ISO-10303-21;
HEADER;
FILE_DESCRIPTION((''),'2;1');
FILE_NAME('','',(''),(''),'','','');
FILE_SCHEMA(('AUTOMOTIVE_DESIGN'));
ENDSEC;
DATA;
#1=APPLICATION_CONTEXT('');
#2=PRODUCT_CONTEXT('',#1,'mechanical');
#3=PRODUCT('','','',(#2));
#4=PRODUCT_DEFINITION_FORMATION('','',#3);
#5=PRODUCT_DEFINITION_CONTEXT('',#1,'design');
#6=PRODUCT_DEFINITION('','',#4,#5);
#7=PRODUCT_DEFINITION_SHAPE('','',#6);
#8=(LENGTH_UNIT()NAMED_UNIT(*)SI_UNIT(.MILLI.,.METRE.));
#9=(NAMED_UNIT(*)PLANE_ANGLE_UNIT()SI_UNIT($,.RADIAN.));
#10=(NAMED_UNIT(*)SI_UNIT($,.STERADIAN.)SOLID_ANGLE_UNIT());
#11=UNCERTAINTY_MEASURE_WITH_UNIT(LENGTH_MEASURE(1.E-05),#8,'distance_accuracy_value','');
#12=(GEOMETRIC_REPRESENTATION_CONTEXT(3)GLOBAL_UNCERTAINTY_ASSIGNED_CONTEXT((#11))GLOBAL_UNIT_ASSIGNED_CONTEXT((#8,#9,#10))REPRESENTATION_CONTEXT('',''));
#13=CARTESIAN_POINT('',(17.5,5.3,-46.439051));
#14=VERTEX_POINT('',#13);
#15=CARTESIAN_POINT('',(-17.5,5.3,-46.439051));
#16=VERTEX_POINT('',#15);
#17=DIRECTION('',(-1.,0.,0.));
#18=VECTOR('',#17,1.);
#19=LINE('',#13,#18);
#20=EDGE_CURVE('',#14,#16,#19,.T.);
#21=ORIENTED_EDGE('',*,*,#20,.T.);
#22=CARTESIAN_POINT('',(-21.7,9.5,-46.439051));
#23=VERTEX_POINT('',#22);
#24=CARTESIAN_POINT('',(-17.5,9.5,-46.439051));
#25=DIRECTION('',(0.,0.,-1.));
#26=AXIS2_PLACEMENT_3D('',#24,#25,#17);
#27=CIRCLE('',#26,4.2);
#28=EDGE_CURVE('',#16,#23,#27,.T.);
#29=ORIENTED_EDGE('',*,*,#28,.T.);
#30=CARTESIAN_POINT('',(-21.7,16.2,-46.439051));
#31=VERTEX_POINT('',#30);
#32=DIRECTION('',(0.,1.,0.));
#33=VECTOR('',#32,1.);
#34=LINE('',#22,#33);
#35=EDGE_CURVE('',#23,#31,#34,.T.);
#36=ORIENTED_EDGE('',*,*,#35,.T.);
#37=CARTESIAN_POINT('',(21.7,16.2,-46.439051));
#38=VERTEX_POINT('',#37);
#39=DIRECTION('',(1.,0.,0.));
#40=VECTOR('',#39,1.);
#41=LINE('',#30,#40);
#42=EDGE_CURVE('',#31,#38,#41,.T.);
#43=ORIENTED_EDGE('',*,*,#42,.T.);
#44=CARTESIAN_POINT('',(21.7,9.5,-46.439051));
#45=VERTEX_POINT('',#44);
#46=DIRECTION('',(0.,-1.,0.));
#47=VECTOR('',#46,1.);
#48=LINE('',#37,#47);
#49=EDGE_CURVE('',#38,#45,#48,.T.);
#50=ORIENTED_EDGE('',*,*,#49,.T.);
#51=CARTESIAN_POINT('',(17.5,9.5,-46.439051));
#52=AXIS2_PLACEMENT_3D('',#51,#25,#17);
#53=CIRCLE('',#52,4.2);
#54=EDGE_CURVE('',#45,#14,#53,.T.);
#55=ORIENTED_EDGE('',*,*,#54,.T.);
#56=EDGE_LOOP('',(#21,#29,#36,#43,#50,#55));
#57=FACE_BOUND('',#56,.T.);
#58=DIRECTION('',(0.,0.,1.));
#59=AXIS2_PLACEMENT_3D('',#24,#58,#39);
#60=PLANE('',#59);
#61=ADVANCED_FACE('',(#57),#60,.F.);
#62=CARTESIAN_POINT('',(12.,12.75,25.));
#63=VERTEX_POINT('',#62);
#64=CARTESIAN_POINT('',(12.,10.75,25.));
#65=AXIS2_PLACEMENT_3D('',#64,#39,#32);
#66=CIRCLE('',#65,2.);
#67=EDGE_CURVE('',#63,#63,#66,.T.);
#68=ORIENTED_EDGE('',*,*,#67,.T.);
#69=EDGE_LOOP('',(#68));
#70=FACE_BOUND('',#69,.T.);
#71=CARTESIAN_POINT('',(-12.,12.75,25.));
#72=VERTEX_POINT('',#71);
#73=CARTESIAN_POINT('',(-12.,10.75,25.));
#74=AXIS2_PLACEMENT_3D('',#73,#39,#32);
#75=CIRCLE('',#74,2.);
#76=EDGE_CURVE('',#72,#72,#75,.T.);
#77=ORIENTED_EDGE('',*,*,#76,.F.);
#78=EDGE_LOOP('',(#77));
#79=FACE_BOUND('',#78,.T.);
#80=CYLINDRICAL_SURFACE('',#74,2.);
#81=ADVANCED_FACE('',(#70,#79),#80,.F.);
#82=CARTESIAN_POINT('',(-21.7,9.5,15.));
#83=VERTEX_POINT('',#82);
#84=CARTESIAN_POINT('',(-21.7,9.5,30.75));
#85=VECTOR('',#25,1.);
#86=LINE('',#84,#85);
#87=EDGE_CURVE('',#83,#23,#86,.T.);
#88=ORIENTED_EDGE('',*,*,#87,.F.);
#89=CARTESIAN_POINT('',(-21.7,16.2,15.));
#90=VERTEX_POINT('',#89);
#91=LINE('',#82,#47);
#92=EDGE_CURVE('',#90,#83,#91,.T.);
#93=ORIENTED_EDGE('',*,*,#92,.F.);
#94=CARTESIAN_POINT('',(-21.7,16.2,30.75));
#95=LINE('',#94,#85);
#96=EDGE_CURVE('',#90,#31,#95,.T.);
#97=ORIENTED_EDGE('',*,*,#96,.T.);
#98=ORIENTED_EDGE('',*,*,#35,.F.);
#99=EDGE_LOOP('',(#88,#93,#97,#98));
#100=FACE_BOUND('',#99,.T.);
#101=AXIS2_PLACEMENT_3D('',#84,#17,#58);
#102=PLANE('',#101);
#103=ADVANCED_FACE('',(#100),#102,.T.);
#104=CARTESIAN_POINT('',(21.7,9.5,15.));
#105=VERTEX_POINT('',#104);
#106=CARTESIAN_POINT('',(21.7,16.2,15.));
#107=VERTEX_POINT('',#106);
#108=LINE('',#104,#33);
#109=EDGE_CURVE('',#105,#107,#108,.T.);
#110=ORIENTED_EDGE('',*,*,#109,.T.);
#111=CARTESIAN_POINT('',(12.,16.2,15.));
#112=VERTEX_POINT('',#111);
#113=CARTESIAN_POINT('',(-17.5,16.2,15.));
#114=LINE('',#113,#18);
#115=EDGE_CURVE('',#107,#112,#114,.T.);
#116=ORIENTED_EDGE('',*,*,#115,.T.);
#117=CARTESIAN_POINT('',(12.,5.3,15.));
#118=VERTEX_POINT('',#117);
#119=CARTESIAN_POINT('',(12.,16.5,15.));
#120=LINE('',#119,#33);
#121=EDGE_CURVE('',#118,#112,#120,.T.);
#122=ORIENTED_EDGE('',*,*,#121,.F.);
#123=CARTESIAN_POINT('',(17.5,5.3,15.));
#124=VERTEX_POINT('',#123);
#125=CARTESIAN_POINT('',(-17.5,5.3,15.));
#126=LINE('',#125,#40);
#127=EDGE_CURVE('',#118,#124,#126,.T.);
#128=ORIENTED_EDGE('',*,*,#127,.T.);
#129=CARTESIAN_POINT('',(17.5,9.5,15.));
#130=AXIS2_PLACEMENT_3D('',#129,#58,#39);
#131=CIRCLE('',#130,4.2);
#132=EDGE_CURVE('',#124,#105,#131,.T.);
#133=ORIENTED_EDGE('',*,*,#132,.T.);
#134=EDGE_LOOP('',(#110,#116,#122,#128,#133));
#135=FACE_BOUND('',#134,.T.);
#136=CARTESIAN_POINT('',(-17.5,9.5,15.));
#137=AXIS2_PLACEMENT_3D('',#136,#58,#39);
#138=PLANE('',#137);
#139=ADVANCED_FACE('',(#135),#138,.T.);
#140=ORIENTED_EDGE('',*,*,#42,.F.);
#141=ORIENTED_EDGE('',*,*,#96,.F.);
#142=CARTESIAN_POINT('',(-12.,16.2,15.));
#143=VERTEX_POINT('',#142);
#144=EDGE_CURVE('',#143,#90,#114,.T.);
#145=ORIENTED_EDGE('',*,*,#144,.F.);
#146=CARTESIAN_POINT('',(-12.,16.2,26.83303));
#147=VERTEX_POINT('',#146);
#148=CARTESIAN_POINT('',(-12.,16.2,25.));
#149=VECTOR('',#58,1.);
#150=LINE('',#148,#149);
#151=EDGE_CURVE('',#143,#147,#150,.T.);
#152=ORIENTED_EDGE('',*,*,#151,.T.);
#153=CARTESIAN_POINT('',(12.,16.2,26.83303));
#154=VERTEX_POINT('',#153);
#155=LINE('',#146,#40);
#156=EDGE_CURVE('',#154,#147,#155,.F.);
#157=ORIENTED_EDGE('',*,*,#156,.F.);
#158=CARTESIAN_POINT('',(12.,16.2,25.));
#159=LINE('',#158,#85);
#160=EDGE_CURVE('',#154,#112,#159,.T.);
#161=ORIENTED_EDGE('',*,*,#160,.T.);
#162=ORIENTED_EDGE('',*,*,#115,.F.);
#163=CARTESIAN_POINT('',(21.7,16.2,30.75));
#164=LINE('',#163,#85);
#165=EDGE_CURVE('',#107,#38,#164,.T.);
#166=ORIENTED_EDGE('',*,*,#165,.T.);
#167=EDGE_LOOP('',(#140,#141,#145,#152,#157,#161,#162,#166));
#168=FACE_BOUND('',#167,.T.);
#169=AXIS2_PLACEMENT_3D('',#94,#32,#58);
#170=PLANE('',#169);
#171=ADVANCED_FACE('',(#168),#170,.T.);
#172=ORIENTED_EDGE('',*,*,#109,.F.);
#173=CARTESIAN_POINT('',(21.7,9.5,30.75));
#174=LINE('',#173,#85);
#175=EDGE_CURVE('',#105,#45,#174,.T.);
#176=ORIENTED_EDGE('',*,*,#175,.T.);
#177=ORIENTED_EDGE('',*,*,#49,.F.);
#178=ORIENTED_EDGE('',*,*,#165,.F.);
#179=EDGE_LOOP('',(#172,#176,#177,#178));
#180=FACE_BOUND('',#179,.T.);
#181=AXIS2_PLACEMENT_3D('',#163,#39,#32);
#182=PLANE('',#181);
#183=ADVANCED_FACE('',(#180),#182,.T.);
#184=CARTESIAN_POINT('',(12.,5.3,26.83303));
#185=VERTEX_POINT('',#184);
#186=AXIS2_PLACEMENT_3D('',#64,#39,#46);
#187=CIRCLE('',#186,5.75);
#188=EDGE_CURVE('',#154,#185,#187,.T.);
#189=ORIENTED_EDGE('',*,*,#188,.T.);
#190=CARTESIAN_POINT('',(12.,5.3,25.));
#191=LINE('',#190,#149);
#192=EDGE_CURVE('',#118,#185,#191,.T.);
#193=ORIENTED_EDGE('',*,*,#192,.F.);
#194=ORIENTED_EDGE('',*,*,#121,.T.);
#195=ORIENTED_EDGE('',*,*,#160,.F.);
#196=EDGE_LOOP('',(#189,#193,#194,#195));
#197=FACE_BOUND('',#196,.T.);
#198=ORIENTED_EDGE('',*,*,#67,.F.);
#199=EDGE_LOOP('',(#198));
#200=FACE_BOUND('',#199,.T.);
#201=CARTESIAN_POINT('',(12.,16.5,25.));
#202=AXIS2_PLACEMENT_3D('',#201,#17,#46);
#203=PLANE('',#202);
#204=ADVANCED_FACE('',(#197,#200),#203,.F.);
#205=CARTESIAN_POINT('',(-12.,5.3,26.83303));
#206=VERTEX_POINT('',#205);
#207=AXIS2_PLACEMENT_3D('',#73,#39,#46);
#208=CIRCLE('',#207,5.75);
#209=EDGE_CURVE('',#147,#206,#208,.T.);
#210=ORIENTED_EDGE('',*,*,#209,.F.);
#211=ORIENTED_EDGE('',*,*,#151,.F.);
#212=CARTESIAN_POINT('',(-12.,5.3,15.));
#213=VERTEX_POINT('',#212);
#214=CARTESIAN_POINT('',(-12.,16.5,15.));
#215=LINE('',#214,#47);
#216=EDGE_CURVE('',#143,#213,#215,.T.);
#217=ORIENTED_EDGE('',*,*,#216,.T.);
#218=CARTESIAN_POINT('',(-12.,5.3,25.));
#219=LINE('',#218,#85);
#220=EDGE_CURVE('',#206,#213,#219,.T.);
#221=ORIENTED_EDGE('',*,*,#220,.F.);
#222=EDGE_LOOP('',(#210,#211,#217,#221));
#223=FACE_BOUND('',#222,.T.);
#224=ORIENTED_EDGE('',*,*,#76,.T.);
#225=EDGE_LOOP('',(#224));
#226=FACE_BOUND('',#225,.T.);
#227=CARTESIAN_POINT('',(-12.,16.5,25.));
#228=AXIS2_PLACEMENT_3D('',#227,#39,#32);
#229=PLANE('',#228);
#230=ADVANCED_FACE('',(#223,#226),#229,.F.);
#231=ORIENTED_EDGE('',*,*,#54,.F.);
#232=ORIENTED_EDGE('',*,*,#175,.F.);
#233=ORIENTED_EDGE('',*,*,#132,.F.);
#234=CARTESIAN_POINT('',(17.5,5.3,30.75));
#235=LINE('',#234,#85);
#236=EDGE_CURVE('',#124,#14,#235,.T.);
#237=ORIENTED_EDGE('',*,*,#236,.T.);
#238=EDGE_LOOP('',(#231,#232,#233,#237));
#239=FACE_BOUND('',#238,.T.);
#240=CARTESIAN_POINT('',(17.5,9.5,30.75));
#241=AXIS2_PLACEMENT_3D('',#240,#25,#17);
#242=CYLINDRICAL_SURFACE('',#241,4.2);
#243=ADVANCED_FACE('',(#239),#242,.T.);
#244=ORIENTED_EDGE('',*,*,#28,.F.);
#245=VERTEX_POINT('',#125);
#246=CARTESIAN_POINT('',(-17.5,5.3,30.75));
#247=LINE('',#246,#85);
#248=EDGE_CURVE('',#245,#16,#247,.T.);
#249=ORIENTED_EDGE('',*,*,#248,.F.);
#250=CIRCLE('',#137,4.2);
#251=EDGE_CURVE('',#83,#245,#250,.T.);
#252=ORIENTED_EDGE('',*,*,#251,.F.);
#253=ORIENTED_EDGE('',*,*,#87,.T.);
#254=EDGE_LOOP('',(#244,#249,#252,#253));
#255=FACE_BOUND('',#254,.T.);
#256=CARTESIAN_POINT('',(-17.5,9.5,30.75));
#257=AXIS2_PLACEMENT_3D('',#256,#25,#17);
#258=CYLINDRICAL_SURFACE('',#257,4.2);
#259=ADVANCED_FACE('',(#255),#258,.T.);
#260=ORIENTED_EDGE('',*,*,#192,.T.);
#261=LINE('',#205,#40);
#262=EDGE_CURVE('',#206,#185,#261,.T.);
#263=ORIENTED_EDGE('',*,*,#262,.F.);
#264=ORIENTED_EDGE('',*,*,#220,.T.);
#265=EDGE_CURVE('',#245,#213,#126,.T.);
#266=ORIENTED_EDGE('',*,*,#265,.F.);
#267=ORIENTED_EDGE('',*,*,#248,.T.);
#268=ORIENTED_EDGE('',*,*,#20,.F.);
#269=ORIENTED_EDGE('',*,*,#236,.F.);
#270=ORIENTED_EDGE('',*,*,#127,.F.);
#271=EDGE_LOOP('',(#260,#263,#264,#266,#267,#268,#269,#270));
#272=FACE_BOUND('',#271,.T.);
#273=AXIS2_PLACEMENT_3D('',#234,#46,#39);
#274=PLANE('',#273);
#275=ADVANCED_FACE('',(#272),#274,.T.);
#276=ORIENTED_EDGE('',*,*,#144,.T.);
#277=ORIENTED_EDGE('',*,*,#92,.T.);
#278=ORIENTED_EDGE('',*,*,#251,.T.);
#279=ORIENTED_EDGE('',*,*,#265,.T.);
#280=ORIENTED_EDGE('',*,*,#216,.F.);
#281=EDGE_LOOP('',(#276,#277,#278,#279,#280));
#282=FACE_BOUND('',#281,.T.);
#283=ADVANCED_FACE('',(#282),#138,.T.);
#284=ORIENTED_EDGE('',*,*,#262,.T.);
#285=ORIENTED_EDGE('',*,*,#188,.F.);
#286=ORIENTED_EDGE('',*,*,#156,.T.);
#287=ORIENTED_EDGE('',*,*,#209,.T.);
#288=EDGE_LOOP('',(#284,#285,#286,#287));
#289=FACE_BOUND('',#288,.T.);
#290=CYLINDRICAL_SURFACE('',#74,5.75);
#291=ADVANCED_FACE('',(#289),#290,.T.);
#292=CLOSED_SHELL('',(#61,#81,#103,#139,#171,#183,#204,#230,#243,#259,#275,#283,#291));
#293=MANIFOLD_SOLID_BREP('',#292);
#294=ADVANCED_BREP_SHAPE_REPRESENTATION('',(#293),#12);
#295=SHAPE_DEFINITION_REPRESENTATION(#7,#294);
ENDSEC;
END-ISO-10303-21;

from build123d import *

# Parameters (mm, degrees)
BOSS_EXTRUDE1_START = -46.439051
BOSS_EXTRUDE1_DEPTH = 61.439051
SKETCH2_W           = 24
SKETCH2_H           = 11.5
BOSS_EXTRUDE2_DEPTH = 10
BOSS_EXTRUDE3_START = -24
BOSS_EXTRUDE3_DEPTH = 24
SKETCH4_R           = 2
CUT_EXTRUDE1_DEPTH  = 24
CUT_EXTRUDE2_START  = -73.272081
CUT_EXTRUDE2_DEPTH  = 73.272081


with BuildPart() as part:
    # Sketch1 → Boss-Extrude1 (new body)
    with BuildSketch(Plane.XY.offset(BOSS_EXTRUDE1_START)):
        with BuildLine():
            Line((-17.5, 16.5), (-22, 16.5))
            Line((-22, 16.5), (-22, 9.5))
            ThreePointArc((-22, 9.5), (-20.681980515, 6.318019485), (-17.5, 5))
            Line((-17.5, 5), (17.5, 5))
            ThreePointArc((17.5, 5), (20.681980515, 6.318019485), (22, 9.5))
            Line((22, 9.5), (22, 16.5))
            Line((22, 16.5), (-17.5, 16.5))
        make_face()
    extrude(amount=BOSS_EXTRUDE1_DEPTH)

    # Sketch2 → Boss-Extrude2 (add)
    with BuildSketch(Plane.XY.offset(15)):
        with Locations((0, 10.75)):
            Rectangle(SKETCH2_W, SKETCH2_H)
    extrude(amount=BOSS_EXTRUDE2_DEPTH)

    # Sketch3 → Boss-Extrude3 (add)
    with BuildSketch(Plane(origin=(12, 0, 0), x_dir=(0, 0, -1), z_dir=(1, 0, 0)).offset(BOSS_EXTRUDE3_START)):
        with BuildLine():
            Line((-25, 5), (-25, 16.5))
            ThreePointArc((-25, 16.5), (-30.75, 10.75), (-25, 5))
        make_face()
    extrude(amount=BOSS_EXTRUDE3_DEPTH)

    # Sketch4 → Cut-Extrude1 (cut)
    with BuildSketch(Plane(origin=(12, 0, 0), x_dir=(0, 0, -1), z_dir=(1, 0, 0))):
        with Locations(Location((-25, 10.75, 0), (0, 0, 90))):
            Circle(SKETCH4_R)
    extrude(amount=-CUT_EXTRUDE1_DEPTH, mode=Mode.SUBTRACT)

    # Sketch5 → Cut-Extrude2 (cut)
    with BuildSketch(Plane(origin=(0, 0, -46.439050788), x_dir=(-1, 0, 0), z_dir=(0, 0, -1)).offset(CUT_EXTRUDE2_START)):
        with BuildLine():
            Line((22, 16.5), (-22, 16.5))
            Line((-22, 16.5), (-22, 9.5))
            ThreePointArc((-22, 9.5), (-20.681980515, 6.318019485), (-17.5, 5))
            Line((-17.5, 5), (17.5, 5))
            ThreePointArc((17.5, 5), (20.681980515, 6.318019485), (22, 9.5))
            Line((22, 9.5), (22, 16.5))
        make_face()
        with BuildLine():
            Line((21.7, 16.2), (-21.7, 16.2))
            Line((-21.7, 16.2), (-21.7, 9.5))
            ThreePointArc((-21.7, 9.5), (-20.469848481, 6.530151519), (-17.5, 5.3))
            Line((-17.5, 5.3), (17.5, 5.3))
            ThreePointArc((17.5, 5.3), (20.469848481, 6.530151519), (21.7, 9.5))
            Line((21.7, 9.5), (21.7, 16.2))
        make_face(mode=Mode.SUBTRACT)
    extrude(amount=CUT_EXTRUDE2_DEPTH, mode=Mode.SUBTRACT)


solid = part.part
